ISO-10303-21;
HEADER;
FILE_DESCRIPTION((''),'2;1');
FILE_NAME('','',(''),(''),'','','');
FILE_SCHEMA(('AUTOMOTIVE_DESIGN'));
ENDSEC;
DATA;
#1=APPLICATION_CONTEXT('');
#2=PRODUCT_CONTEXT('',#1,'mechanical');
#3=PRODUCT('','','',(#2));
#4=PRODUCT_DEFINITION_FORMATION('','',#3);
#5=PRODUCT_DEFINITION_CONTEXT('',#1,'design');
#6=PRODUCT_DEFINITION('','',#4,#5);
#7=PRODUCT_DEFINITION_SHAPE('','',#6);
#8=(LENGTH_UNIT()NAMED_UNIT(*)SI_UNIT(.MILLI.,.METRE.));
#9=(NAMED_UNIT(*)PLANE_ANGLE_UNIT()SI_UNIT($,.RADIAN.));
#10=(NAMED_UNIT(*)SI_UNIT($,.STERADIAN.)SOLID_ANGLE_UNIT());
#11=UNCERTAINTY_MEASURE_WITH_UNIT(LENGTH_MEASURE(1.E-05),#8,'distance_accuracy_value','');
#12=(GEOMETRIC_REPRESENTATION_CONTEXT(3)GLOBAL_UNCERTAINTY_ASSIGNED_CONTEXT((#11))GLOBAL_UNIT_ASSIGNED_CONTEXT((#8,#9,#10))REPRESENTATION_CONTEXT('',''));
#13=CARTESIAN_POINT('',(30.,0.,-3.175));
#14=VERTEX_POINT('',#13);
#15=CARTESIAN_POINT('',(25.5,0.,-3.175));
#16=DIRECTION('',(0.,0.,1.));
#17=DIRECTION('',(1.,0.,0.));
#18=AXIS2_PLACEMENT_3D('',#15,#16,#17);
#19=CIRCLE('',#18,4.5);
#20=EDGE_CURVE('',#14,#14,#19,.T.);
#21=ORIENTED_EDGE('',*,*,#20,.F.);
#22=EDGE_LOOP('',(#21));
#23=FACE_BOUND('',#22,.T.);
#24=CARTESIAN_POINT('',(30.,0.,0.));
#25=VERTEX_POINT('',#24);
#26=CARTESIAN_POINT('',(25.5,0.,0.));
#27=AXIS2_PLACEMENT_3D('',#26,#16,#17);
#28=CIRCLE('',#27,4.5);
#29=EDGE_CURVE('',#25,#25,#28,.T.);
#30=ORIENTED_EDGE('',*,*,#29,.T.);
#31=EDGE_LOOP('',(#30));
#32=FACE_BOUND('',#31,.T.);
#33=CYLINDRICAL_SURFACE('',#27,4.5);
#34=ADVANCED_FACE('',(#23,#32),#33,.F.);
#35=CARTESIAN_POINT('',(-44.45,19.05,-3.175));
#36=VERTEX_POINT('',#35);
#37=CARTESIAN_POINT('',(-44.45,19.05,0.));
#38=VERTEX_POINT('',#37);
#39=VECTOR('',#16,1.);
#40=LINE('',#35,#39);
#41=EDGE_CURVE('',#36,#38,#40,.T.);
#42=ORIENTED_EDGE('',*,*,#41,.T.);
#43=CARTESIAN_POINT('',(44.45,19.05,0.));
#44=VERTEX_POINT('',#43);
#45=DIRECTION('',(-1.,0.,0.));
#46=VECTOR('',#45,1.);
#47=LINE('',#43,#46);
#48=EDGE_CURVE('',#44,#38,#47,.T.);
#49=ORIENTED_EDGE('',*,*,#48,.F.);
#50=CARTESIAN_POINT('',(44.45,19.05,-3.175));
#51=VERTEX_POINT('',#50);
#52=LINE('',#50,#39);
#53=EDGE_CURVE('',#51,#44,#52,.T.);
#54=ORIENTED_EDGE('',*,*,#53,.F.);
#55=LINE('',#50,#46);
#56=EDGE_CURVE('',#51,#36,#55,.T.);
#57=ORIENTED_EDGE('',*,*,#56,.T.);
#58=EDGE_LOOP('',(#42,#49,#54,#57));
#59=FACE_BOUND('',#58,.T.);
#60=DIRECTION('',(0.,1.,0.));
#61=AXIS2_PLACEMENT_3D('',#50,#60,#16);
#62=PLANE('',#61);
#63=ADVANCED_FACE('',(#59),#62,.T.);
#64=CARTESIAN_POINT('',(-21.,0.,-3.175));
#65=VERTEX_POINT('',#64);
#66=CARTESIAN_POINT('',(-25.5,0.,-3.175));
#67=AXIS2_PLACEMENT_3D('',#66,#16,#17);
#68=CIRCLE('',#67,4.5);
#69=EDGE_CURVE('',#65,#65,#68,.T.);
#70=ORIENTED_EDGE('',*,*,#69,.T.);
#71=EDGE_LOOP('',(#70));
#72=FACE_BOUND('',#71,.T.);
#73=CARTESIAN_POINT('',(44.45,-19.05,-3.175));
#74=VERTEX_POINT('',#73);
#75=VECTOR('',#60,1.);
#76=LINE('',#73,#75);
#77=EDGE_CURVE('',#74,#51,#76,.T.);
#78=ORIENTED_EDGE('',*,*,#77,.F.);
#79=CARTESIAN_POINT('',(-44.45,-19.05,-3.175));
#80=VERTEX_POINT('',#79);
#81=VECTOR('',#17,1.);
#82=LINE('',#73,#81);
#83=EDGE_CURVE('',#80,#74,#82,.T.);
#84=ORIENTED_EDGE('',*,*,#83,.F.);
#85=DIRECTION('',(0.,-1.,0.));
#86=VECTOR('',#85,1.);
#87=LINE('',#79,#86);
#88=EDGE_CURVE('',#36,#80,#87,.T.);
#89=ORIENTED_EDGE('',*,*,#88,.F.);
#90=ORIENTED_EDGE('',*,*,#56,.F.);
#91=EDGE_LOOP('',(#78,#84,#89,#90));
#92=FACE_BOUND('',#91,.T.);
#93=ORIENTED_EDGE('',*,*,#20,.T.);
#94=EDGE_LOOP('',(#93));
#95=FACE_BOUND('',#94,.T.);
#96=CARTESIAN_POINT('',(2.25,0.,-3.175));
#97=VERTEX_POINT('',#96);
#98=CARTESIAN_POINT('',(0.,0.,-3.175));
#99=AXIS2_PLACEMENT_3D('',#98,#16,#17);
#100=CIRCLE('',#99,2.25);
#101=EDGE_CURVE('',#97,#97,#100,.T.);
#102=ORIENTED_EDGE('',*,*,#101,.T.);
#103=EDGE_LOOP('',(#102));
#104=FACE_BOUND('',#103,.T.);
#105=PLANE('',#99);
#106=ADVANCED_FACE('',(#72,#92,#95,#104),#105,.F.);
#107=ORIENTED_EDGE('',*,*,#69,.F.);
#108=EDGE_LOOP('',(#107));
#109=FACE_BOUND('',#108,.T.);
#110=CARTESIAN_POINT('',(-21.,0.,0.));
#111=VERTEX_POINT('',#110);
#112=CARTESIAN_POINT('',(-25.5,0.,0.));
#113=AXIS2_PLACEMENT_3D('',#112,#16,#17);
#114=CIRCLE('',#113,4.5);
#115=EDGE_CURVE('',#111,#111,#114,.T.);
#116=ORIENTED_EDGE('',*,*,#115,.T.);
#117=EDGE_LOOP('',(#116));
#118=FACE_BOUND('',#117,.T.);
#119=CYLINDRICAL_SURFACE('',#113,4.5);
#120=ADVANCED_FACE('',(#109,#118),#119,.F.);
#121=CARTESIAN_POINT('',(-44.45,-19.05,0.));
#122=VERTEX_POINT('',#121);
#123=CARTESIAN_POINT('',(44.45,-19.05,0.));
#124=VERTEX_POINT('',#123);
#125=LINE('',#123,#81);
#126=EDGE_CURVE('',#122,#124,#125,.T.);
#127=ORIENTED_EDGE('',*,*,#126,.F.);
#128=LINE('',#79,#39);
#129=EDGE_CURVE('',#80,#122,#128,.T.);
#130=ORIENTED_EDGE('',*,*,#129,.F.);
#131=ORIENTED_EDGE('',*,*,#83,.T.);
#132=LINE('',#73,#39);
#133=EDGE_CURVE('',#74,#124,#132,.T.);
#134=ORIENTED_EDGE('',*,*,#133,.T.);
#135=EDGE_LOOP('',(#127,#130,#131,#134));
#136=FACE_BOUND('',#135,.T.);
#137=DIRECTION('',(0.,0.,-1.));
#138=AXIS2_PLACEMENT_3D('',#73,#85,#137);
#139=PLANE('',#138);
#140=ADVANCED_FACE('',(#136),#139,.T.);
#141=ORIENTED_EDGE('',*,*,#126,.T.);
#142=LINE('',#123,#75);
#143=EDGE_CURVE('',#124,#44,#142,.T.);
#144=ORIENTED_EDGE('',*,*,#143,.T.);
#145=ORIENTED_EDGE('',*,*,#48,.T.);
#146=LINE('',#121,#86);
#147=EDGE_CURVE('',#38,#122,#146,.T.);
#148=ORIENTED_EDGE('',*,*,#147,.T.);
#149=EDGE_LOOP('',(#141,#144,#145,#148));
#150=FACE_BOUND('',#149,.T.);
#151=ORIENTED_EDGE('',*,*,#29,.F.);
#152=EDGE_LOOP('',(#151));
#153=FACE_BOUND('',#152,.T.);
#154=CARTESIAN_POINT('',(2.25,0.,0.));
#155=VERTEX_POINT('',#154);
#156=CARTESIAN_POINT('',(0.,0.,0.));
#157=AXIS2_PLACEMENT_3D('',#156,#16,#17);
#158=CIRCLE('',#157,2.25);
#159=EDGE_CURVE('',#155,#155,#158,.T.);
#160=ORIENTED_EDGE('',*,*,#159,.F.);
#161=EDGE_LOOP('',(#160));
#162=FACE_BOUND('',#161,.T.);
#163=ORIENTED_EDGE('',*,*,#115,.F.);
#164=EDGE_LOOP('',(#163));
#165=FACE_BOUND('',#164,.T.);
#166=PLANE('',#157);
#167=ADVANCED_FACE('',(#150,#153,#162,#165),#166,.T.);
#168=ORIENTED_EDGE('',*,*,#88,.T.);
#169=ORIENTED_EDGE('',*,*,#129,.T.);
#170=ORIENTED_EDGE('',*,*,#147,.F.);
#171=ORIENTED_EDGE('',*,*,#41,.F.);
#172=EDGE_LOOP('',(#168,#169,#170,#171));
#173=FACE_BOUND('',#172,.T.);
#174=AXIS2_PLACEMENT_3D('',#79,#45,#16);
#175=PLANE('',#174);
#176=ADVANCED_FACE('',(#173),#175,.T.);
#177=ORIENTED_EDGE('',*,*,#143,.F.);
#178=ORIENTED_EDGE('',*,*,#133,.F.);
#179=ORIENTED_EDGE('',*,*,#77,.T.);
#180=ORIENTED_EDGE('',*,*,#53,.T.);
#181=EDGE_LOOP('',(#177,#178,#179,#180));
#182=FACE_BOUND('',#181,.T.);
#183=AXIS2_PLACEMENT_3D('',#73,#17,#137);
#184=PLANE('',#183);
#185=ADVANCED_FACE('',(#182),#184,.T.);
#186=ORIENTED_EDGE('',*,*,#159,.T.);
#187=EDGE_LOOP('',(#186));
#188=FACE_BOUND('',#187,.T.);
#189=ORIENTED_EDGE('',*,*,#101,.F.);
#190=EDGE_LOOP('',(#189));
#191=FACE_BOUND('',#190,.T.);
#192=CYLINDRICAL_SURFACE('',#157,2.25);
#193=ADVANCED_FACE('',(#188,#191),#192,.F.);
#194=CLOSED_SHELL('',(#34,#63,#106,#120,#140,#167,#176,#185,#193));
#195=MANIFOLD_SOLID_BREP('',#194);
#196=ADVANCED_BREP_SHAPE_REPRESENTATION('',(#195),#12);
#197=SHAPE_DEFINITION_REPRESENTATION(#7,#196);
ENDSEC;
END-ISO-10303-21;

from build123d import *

# Parameters (mm, degrees)
SKETCH1_W            = 88.9
SKETCH1_H            = 38.1
BOSS_EXTRUDE1_DEPTH  = 3.175
M4_CLEARANCE_HOLE1_D = 4.5
M8_CLEARANCE_HOLE1_D = 9


with BuildPart() as part:
    # Sketch1 → Boss-Extrude1 (new body)
    with BuildSketch(Plane.XY):
        Rectangle(SKETCH1_W, SKETCH1_H)
    extrude(amount=-BOSS_EXTRUDE1_DEPTH)

    # M4 Clearance Hole1 (through all)
    with Locations(Plane.XY):
        with Locations((0, 0)):
            Hole(M4_CLEARANCE_HOLE1_D / 2)

    # M8 Clearance Hole1 (through all)
    with Locations(Plane.XY):
        with Locations((-25.5, 0), (25.5, 0)):
            Hole(M8_CLEARANCE_HOLE1_D / 2)


solid = part.part
